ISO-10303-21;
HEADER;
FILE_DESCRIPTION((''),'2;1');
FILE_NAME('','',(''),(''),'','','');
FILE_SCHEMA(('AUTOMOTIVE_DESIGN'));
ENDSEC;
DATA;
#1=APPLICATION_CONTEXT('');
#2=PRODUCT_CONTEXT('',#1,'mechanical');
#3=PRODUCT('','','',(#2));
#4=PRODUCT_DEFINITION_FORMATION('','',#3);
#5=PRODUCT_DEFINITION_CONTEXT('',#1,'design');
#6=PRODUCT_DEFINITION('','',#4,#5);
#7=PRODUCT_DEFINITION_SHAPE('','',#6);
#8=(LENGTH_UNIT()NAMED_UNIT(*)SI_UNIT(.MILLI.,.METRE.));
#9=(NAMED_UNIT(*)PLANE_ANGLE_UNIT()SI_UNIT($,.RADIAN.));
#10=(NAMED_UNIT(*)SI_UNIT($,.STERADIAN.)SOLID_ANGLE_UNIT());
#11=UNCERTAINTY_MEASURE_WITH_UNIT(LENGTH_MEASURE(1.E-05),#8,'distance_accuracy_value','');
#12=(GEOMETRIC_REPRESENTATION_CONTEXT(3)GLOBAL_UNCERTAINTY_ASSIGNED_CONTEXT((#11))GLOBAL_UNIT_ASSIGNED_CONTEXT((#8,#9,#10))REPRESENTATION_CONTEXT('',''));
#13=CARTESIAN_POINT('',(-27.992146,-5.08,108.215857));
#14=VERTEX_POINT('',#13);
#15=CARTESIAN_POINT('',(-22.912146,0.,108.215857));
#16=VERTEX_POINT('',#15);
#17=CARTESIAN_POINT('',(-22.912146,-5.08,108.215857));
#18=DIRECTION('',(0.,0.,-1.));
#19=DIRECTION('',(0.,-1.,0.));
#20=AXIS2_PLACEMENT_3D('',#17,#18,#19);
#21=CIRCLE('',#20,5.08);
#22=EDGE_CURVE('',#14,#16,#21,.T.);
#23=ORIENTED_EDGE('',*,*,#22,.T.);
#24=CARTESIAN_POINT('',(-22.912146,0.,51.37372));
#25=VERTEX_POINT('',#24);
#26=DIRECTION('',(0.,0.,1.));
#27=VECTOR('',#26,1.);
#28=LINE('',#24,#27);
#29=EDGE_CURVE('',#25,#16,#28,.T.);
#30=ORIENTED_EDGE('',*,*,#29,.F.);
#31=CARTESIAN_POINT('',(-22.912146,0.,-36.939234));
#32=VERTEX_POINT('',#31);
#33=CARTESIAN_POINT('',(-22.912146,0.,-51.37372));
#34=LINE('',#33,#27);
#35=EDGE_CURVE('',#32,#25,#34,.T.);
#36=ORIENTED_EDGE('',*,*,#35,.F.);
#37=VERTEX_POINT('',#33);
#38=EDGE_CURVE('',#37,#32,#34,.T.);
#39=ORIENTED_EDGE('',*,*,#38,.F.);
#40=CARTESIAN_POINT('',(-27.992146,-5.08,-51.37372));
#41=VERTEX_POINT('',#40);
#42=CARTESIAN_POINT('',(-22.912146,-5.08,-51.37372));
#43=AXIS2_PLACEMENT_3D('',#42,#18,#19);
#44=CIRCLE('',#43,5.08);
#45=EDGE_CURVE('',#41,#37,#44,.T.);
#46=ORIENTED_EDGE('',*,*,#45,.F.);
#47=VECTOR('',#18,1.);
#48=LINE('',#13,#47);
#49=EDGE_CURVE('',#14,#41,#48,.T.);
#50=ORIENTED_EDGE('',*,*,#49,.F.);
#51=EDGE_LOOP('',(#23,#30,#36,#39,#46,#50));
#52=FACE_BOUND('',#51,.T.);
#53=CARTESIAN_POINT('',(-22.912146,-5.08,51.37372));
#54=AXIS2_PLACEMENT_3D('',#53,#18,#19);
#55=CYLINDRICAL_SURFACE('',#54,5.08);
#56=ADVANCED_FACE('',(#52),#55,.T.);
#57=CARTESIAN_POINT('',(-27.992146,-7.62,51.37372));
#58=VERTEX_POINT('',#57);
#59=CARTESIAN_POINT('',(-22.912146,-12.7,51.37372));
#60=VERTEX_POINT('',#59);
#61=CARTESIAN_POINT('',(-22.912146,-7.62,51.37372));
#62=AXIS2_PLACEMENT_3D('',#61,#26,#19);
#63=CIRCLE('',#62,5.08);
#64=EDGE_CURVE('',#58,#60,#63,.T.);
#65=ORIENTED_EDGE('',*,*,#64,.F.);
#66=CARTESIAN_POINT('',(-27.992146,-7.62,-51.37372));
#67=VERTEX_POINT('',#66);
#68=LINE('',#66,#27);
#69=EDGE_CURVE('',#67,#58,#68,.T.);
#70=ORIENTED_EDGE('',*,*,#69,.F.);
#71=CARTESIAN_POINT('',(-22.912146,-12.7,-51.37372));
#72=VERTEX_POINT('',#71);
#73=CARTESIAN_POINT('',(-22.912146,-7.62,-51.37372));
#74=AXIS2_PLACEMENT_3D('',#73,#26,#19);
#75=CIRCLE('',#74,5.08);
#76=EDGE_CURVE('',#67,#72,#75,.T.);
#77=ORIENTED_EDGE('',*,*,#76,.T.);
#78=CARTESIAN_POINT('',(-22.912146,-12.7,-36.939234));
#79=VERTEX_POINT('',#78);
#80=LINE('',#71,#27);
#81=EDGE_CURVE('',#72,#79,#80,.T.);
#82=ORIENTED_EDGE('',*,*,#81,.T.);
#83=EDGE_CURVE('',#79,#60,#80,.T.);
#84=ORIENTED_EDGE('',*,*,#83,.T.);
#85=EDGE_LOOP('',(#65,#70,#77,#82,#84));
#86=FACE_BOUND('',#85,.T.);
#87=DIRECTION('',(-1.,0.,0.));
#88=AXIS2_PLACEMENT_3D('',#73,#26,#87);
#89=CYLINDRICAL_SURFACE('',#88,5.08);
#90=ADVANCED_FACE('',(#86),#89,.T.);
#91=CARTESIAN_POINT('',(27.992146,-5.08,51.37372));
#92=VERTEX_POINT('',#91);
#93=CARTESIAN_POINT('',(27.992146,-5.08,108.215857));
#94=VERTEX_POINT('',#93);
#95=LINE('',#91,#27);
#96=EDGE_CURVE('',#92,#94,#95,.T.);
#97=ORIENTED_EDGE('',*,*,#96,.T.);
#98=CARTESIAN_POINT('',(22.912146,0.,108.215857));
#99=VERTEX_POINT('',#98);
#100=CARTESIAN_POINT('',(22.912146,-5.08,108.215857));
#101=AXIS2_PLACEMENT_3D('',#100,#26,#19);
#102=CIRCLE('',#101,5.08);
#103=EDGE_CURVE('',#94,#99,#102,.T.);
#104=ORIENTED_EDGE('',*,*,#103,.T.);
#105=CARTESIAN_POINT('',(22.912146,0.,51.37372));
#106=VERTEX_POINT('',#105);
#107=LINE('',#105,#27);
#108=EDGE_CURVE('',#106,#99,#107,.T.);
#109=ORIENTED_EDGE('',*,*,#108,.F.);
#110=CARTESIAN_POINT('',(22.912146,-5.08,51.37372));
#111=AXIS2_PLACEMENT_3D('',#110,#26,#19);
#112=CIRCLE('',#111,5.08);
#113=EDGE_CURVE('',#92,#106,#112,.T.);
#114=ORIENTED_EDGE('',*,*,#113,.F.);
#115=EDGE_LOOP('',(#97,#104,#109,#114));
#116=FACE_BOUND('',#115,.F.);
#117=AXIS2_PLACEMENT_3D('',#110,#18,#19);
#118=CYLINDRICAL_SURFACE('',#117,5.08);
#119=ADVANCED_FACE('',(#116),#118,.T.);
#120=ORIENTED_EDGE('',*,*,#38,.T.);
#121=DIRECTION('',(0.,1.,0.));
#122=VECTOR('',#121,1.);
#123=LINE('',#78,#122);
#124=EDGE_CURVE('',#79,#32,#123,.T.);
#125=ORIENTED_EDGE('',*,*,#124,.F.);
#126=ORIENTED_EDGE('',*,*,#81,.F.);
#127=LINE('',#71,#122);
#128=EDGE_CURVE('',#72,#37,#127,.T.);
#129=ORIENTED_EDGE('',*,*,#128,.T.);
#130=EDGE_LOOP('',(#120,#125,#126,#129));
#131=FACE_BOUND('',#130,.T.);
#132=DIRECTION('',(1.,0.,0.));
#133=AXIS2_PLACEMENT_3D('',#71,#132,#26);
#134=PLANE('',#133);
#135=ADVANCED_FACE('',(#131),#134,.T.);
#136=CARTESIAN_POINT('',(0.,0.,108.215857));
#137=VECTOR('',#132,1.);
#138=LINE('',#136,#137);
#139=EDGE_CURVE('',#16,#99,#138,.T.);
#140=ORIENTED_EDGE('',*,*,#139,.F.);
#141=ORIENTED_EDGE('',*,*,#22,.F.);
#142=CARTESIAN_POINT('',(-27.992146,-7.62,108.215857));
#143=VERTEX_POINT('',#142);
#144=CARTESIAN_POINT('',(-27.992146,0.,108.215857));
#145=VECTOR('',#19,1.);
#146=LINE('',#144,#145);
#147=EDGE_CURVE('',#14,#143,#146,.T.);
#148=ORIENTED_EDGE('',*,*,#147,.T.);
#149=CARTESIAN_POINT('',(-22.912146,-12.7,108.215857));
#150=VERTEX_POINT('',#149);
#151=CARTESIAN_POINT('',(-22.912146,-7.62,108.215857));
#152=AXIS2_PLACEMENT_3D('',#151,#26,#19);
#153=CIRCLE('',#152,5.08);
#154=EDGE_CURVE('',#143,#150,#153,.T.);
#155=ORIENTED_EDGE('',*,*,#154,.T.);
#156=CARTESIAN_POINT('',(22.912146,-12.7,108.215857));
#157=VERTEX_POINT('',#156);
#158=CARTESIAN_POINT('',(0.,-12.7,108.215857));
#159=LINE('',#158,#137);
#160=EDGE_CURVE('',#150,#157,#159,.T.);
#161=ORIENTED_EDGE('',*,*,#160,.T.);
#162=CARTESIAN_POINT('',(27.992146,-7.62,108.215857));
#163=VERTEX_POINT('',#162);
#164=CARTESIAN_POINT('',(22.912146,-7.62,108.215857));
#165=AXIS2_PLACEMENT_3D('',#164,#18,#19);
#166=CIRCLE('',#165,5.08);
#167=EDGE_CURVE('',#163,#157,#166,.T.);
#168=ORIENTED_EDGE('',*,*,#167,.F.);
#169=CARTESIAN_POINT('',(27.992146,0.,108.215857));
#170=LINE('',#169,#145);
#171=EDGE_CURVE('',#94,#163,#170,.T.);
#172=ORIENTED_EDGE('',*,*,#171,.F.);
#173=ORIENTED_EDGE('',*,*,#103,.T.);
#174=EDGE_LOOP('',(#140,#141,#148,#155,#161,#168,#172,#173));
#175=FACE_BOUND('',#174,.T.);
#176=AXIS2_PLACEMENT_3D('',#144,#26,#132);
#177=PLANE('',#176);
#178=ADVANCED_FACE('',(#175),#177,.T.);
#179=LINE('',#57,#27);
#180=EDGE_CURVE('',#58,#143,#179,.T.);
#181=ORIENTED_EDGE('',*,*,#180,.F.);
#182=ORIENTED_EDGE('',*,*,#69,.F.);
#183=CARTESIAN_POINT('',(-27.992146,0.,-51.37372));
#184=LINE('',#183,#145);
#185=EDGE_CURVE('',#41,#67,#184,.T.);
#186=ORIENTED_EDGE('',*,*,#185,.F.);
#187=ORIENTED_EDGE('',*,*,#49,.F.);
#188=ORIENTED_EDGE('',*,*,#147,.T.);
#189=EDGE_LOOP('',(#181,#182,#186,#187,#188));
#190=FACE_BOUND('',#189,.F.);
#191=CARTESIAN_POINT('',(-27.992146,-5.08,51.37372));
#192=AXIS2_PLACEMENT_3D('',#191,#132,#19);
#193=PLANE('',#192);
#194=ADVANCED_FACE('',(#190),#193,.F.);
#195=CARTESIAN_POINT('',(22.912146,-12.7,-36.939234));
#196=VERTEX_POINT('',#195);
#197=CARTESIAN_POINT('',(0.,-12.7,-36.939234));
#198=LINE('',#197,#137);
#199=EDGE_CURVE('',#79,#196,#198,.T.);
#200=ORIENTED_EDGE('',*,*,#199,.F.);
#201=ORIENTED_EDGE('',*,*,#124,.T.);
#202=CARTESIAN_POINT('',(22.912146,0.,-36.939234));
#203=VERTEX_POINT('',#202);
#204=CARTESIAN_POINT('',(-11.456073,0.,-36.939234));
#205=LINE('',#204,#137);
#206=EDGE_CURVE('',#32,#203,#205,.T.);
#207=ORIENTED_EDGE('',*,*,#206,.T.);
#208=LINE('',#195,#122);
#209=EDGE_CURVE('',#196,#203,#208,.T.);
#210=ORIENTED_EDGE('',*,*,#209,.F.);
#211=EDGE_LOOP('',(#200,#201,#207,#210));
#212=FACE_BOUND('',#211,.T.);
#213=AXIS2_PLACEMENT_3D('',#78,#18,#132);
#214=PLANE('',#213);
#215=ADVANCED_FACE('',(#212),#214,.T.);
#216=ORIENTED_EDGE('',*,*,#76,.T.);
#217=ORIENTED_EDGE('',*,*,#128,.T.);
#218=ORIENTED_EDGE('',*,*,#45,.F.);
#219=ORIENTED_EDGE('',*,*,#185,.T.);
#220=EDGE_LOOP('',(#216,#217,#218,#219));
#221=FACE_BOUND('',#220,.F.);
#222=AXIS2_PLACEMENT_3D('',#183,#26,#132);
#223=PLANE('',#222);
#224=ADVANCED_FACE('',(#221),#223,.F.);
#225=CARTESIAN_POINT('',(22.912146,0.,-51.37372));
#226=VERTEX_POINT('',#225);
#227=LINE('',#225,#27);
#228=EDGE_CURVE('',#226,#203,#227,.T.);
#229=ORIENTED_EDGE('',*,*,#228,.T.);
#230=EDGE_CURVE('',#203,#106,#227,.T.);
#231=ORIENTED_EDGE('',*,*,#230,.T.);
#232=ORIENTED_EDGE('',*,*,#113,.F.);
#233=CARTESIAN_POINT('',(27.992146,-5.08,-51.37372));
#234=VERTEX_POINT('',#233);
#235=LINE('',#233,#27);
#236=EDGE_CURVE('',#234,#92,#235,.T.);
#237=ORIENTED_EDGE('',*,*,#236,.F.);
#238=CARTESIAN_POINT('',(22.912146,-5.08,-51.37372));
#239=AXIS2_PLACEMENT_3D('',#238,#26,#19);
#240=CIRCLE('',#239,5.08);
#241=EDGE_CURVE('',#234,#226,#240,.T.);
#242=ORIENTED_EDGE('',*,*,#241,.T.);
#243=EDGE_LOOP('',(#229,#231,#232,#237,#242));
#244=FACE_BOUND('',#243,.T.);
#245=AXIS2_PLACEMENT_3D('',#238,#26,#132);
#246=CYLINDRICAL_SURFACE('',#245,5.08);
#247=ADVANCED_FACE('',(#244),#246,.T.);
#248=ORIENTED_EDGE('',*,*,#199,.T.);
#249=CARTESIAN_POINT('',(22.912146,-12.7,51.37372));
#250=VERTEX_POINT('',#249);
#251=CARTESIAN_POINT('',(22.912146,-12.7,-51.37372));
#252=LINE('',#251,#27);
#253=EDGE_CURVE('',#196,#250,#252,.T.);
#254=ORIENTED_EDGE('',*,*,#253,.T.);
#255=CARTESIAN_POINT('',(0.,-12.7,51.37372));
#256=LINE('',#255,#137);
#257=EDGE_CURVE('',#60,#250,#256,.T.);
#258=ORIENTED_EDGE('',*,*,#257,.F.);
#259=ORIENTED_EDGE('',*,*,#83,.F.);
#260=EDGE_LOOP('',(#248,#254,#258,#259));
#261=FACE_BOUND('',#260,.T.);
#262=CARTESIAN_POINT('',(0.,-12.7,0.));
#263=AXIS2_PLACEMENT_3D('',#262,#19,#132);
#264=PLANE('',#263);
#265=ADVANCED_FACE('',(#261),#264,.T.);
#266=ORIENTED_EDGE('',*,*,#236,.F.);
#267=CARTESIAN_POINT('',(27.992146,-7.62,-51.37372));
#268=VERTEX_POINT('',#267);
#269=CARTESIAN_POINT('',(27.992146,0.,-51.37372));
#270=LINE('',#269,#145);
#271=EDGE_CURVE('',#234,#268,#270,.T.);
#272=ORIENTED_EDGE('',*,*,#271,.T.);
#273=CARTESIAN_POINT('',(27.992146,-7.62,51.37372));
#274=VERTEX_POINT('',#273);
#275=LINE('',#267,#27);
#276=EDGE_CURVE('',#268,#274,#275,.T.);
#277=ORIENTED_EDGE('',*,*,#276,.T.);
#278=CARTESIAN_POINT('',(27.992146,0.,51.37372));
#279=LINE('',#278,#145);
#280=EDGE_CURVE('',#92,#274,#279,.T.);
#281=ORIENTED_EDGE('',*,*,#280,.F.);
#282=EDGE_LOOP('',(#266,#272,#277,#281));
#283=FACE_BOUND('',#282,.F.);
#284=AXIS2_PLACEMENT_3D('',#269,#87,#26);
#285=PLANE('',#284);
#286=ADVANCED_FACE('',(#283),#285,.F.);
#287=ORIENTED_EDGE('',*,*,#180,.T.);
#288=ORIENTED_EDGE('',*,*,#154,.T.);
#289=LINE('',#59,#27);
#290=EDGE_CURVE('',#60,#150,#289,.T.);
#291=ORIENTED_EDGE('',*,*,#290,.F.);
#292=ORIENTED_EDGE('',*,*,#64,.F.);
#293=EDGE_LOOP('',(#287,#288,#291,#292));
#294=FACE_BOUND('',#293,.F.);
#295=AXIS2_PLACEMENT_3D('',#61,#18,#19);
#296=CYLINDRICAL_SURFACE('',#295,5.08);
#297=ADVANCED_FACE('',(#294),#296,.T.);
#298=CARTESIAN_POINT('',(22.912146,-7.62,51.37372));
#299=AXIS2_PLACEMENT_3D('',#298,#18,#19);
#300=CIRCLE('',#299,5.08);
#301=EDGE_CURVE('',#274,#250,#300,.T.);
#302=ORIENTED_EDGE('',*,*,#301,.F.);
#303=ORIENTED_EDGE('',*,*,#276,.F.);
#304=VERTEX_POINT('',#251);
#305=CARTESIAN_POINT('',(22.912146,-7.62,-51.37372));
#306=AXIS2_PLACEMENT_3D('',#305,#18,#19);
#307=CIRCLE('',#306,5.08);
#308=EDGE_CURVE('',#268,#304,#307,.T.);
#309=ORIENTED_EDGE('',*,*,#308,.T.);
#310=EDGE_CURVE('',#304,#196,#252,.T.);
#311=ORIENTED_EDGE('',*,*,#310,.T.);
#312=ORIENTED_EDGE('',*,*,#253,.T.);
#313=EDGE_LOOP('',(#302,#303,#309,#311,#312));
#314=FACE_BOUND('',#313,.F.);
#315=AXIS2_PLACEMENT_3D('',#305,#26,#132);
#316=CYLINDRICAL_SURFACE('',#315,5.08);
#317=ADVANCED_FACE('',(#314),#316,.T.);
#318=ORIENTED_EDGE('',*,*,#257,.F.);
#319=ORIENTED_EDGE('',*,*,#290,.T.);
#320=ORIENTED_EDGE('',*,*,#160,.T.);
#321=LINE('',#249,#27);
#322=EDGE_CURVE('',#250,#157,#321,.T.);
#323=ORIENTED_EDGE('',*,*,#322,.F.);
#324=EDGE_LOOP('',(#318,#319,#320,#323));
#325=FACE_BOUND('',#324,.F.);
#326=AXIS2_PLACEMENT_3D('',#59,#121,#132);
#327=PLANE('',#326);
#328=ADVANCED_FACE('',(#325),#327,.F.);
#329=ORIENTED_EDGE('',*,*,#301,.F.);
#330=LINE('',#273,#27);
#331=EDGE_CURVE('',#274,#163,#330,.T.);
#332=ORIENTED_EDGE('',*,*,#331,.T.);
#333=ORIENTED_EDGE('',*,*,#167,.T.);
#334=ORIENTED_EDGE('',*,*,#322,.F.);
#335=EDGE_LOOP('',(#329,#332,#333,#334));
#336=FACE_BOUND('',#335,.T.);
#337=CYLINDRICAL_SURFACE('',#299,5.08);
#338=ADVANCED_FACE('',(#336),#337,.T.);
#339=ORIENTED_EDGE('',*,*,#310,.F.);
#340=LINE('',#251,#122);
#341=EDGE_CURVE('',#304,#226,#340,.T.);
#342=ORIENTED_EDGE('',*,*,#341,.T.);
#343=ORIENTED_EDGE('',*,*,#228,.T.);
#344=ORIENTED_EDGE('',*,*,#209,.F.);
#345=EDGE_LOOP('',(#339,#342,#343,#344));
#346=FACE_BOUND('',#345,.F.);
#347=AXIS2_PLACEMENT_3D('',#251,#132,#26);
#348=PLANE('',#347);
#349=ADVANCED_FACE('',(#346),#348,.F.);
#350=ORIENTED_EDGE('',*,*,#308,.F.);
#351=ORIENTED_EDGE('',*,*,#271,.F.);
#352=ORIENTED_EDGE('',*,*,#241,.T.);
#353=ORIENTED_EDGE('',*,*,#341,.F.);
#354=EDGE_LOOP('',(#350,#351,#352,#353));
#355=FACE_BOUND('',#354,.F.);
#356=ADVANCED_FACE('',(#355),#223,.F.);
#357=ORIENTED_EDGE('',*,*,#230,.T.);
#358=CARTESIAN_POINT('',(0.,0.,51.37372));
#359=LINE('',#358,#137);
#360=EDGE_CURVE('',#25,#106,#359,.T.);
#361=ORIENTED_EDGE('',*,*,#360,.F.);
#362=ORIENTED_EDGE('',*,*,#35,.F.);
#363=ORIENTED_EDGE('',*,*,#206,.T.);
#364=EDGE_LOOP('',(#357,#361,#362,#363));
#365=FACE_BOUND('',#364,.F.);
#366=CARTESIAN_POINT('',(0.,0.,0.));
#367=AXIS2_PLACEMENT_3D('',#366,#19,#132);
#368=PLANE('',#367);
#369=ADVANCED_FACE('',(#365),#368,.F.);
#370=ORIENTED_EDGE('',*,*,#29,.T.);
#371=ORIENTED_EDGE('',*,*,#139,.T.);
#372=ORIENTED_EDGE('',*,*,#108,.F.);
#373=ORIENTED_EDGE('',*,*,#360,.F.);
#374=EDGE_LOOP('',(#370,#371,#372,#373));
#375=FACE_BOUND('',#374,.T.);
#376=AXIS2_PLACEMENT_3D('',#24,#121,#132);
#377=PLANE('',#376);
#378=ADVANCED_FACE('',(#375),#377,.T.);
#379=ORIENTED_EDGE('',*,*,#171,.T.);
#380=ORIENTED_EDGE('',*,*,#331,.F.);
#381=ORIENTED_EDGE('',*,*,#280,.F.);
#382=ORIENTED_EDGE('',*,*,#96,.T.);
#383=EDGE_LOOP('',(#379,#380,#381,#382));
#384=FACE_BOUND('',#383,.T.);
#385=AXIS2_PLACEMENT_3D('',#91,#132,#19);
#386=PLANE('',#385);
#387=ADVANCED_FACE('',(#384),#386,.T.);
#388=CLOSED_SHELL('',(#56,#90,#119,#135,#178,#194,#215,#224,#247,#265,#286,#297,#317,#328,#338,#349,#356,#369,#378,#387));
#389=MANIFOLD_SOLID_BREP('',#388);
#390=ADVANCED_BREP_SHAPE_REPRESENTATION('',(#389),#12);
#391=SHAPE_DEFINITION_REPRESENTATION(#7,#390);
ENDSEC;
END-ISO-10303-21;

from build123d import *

# Parameters (mm, degrees)
F0_W     = 55.9842921793
F0_H     = 102.7474403381
F1_DEPTH = 12.7
F2_R     = 5.08
F3_W     = 45.8242921793
F3_H     = 14.4344866276
F4_DEPTH = 25.4
F8_DEPTH = 56.8421371281


with BuildPart() as f1:
    # F0 (on Front) → F1 (new body)
    with BuildSketch(Plane.XZ):
        Rectangle(F0_W, F0_H)
    extrude(amount=F1_DEPTH)

    # F2
    f2_edges = [f1.edges().sort_by_distance(p)[0] for p in [
        (27.992146, -12.7, 0),
        (27.992146, 0, 0),
        (-27.992146, -12.7, 0),
        (-27.992146, 0, 0),
    ]]
    fillet(f2_edges, radius=F2_R)

    # F3 (on face) → F4 (cut)
    with BuildSketch(Plane.XZ.offset(12.7)):
        with Locations((0, -44.1564768553)):
            Rectangle(F3_W, F3_H)
    extrude(amount=-F4_DEPTH, mode=Mode.SUBTRACT)

    # F8 (add): a face of the model
    f8_faces = [f1.faces().sort_by_distance(p)[0] for p in [
        (0, -6.35, 51.3737201691),
    ]]
    extrude(f8_faces, amount=F8_DEPTH)


solid = f1.part
